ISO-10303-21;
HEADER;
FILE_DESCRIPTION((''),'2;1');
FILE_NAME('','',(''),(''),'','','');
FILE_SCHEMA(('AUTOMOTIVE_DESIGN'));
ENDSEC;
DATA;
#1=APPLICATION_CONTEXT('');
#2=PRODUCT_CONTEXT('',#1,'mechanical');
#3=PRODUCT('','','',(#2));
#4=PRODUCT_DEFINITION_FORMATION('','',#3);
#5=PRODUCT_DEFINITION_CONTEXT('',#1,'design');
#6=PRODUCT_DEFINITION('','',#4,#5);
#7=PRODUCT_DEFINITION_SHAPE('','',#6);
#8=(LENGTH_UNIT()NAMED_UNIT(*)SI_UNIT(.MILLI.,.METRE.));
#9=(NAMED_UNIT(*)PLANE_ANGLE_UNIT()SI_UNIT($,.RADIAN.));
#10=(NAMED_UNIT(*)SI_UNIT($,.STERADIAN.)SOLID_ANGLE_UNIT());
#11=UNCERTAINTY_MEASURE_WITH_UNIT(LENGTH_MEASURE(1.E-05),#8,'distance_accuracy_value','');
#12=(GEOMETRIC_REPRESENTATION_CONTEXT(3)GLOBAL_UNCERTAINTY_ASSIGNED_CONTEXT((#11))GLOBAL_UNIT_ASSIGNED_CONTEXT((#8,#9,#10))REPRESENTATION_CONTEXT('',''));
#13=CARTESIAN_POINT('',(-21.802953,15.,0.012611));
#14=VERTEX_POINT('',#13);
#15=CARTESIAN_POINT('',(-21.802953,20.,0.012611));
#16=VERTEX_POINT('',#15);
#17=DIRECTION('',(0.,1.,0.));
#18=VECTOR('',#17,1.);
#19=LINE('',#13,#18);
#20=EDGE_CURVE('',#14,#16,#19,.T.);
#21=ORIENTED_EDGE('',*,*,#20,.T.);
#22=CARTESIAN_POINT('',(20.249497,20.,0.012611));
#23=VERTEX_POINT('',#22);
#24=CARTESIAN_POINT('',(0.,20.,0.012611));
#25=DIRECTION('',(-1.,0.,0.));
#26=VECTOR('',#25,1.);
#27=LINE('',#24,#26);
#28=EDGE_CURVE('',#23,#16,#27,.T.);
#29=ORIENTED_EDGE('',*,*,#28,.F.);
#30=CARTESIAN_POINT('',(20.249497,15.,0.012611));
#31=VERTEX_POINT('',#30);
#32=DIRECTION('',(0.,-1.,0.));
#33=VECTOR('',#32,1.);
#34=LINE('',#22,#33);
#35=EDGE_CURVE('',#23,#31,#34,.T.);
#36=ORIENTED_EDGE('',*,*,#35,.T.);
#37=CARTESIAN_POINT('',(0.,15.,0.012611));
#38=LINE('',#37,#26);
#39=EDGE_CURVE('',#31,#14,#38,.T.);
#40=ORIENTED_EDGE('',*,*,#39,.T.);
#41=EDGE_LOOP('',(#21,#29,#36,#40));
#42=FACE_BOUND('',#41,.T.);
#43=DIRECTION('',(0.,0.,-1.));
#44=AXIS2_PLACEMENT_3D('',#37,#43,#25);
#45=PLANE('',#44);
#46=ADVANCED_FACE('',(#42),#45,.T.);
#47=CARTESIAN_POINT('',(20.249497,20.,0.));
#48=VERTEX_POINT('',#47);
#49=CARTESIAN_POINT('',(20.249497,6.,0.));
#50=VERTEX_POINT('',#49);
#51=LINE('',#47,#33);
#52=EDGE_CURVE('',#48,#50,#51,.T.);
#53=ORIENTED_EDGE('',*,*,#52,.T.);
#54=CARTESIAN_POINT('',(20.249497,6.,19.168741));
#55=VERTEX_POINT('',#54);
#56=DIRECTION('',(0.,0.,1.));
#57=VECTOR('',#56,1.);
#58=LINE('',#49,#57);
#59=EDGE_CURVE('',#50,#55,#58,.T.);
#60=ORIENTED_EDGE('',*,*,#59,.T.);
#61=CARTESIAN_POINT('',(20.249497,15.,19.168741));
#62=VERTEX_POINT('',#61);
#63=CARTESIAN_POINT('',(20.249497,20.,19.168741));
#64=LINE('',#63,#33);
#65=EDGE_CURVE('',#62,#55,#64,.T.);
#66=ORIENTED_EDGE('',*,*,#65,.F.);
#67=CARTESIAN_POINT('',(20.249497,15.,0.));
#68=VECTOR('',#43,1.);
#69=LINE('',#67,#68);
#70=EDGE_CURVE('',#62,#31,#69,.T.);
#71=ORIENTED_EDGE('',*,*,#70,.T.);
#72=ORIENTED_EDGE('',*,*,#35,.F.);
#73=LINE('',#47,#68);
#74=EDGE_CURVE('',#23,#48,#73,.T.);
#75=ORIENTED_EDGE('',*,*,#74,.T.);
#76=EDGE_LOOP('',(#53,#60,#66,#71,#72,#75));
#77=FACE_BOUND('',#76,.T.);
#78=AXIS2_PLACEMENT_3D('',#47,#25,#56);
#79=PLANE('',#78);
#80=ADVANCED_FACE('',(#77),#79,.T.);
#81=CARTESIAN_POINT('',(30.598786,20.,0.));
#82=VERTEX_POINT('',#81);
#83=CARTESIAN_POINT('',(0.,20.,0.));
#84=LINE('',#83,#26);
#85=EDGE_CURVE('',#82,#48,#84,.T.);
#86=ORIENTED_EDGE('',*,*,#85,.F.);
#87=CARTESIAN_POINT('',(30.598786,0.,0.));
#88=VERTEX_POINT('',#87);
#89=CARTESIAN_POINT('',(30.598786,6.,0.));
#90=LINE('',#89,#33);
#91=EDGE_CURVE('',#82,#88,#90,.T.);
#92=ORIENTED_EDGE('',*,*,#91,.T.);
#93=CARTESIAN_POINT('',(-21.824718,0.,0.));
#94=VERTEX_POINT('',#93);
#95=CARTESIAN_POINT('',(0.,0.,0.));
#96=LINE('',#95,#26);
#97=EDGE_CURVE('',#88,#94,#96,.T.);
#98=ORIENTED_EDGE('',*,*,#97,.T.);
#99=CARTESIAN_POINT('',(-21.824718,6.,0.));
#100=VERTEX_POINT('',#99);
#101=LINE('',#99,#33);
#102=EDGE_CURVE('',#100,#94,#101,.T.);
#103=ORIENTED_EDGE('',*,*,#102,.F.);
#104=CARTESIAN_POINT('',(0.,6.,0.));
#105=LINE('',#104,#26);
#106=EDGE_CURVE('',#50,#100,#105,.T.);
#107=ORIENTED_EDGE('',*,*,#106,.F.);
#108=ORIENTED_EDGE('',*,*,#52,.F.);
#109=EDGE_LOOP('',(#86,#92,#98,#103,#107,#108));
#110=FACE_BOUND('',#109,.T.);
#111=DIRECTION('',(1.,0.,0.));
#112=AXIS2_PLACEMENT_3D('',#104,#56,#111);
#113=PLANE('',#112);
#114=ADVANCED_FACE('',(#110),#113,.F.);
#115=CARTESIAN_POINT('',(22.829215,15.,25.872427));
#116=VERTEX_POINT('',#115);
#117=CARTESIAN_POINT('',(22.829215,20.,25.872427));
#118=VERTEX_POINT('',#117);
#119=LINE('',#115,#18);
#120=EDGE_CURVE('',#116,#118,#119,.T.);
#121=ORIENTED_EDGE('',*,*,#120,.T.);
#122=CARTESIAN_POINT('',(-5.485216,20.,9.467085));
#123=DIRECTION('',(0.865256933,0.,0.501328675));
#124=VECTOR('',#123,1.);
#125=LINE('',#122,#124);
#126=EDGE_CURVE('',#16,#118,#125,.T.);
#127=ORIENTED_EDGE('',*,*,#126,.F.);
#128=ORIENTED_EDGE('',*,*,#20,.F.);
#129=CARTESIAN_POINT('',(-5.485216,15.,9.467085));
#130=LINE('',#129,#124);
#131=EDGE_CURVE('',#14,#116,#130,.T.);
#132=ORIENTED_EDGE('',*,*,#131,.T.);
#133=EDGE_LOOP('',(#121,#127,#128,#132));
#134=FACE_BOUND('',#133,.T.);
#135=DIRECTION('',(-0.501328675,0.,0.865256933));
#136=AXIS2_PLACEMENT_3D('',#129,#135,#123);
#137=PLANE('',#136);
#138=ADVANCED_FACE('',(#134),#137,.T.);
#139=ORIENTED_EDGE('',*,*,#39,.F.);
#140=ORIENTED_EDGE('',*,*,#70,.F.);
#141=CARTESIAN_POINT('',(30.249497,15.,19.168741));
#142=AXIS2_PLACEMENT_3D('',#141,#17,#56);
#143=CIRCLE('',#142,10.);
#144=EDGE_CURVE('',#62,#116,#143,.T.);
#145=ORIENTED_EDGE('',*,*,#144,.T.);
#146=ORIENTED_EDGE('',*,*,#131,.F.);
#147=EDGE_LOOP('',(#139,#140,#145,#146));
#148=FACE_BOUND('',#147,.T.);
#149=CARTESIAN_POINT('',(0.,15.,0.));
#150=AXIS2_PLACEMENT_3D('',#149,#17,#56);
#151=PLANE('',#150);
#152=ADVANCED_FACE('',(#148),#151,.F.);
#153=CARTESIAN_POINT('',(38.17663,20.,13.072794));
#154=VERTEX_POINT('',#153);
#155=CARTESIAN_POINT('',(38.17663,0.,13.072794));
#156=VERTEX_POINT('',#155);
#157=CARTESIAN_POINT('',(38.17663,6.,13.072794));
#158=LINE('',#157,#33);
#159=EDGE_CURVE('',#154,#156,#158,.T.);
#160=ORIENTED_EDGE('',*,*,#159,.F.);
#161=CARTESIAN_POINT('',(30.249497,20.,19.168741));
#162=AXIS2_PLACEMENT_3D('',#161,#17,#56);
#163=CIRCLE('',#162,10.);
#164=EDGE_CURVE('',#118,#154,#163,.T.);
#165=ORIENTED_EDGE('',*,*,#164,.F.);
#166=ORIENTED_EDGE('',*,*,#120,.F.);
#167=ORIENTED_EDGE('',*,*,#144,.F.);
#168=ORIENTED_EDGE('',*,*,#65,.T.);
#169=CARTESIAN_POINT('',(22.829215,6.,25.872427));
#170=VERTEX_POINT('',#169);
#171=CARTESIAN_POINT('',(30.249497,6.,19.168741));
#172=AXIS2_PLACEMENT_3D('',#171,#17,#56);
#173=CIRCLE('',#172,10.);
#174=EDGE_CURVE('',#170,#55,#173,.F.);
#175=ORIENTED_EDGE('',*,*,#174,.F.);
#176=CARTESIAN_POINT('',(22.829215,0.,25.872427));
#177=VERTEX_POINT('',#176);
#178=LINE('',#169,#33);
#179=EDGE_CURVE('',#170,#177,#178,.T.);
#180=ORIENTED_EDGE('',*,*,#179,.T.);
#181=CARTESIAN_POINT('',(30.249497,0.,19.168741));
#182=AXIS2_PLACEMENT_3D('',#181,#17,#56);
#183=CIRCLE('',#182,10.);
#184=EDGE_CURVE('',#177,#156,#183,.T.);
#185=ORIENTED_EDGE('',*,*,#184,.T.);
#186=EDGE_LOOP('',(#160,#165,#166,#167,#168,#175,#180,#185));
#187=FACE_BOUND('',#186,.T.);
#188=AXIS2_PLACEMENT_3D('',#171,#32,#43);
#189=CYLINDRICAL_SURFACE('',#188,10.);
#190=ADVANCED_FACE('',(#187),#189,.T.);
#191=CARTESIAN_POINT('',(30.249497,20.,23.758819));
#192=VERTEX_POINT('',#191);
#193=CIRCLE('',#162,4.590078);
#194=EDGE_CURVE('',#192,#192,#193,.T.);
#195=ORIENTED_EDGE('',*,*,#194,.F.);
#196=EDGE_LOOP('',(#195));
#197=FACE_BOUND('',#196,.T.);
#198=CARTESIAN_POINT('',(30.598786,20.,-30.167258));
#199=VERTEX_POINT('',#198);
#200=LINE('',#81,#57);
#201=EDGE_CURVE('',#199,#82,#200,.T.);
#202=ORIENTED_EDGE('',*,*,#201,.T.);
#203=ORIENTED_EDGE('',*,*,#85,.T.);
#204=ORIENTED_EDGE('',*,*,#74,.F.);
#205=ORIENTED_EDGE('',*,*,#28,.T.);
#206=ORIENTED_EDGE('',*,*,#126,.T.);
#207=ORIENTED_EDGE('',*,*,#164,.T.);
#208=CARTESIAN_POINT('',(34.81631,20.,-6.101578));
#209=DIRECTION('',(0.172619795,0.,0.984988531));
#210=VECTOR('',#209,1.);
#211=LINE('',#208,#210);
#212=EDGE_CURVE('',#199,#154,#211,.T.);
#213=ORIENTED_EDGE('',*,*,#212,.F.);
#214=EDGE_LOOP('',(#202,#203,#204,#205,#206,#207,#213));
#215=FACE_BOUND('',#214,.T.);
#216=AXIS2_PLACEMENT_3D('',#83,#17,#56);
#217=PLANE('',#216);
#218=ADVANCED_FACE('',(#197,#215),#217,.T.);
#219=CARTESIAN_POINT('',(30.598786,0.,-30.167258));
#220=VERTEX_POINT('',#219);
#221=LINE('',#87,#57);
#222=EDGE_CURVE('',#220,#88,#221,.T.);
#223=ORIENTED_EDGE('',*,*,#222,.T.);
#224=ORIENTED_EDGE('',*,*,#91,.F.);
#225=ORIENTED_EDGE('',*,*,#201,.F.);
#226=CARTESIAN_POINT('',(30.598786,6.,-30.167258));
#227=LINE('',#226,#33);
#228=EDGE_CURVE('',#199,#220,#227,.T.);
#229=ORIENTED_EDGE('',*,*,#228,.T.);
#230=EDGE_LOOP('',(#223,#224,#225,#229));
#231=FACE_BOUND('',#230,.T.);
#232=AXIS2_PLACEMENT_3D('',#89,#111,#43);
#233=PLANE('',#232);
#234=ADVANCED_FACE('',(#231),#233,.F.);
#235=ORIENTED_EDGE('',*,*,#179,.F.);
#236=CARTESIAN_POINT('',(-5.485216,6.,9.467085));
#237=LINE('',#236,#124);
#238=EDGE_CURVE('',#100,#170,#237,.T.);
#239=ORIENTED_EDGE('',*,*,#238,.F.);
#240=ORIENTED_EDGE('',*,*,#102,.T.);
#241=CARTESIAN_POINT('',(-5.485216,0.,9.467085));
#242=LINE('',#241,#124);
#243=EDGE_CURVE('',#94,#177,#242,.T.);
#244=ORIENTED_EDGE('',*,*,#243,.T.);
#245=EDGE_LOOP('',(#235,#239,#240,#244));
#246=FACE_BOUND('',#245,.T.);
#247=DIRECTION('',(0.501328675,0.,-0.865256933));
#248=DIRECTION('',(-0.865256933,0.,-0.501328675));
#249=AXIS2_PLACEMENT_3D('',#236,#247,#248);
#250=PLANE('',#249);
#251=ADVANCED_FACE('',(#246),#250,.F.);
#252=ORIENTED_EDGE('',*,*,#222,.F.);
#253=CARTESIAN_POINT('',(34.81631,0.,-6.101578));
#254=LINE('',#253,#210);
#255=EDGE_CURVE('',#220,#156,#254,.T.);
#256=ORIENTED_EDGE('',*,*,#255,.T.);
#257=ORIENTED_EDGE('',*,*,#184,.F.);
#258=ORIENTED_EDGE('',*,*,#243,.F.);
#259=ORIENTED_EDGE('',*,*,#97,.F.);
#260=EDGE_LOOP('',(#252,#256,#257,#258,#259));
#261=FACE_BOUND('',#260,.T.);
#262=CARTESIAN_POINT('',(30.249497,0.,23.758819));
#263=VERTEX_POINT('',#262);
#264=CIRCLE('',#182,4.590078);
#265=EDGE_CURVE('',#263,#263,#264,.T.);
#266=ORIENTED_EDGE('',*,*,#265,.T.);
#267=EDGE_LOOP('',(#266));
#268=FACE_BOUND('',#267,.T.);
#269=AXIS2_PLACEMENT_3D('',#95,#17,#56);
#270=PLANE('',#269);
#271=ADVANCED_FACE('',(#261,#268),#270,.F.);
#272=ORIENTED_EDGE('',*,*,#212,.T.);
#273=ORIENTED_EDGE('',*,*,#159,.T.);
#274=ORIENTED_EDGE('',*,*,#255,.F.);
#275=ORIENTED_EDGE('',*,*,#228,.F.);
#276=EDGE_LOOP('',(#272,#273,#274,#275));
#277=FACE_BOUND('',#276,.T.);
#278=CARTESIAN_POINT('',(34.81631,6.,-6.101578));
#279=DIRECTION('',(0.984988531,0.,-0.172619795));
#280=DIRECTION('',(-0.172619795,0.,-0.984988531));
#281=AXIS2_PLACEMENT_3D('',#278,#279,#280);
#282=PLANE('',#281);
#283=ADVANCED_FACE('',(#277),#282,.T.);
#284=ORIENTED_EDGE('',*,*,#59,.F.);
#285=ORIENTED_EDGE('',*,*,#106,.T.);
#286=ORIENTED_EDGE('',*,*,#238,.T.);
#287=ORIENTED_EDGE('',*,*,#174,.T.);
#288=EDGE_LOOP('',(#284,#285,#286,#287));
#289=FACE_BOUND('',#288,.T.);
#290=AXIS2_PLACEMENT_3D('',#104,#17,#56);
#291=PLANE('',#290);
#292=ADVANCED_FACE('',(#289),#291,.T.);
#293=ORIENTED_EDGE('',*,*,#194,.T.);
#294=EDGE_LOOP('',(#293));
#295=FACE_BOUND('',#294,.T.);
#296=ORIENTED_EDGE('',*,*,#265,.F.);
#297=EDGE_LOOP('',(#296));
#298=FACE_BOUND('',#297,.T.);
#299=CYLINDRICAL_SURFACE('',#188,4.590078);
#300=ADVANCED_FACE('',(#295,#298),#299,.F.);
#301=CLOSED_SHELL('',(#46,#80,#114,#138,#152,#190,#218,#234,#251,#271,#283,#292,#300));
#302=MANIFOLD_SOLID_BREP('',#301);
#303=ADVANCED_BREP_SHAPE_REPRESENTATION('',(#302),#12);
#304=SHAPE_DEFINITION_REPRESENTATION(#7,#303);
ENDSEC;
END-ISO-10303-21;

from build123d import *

# Parameters (mm, degrees)
SKETCH1_R           = 4.590078396
BOSS_EXTRUDE1_DEPTH = 6
SKETCH1_3_R         = 4.590078396
BOSS_EXTRUDE2_DEPTH = 20
BOSS_EXTRUDE3_START = -5
BOSS_EXTRUDE3_DEPTH = 5


with BuildPart() as part:
    # Sketch1 → Boss-Extrude1 (new body)
    with BuildSketch(Plane(origin=(0, 0, 0), x_dir=(1, 0, 0), z_dir=(0, 1, 0))):
        with BuildLine():
            Line((38.176629583, -13.072793558), (30.598786144, 30.167258341))
            Line((30.598786144, 30.167258341), (30.598786144, 0))
            Line((30.598786144, 0), (-21.824717568, 0))
            Line((-21.824717568, 0), (22.829214597, -25.872426793))
            ThreePointArc((22.829214597, -25.872426793), (36.654329673, -26.84846253), (38.176629583, -13.072793558))
        make_face()
        with Locations((30.24949737, -19.168740974)):
            Circle(SKETCH1_R, mode=Mode.SUBTRACT)
    extrude(amount=BOSS_EXTRUDE1_DEPTH)

    # Sketch1<3> → Boss-Extrude2 (add)
    with BuildSketch(Plane(origin=(0, 0, 0), x_dir=(1, 0, 0), z_dir=(0, 1, 0))):
        with BuildLine():
            Line((38.176629583, -13.072793558), (30.598786144, 30.167258341))
            Line((30.598786144, 30.167258341), (30.598786144, 0))
            Line((30.598786144, 0), (20.24949737, 0))
            Line((20.24949737, 0), (20.24949737, -19.168740974))
            ThreePointArc((20.24949737, -19.168740974), (33.468866709, -28.636352133), (38.176629583, -13.072793558))
        make_face()
        with Locations((30.24949737, -19.168740974)):
            Circle(SKETCH1_3_R, mode=Mode.SUBTRACT)
    extrude(amount=BOSS_EXTRUDE2_DEPTH)

    # Sketch2 → Boss-Extrude3 (add)
    with BuildSketch(Plane(origin=(0, 20, 0), x_dir=(1, 0, 0), z_dir=(0, 1, 0)).offset(BOSS_EXTRUDE3_START)):
        with BuildLine():
            ThreePointArc((22.829214597, -25.872426793), (20.916683547, -22.760201141), (20.24949737, -19.168740974))
            Line((20.24949737, -19.168740974), (20.24949737, -0.012610588))
            Line((20.24949737, -0.012610588), (-21.802952608, -0.012610588))
            Line((-21.802952608, -0.012610588), (22.829214597, -25.872426793))
        make_face()
    extrude(amount=BOSS_EXTRUDE3_DEPTH)


solid = part.part
